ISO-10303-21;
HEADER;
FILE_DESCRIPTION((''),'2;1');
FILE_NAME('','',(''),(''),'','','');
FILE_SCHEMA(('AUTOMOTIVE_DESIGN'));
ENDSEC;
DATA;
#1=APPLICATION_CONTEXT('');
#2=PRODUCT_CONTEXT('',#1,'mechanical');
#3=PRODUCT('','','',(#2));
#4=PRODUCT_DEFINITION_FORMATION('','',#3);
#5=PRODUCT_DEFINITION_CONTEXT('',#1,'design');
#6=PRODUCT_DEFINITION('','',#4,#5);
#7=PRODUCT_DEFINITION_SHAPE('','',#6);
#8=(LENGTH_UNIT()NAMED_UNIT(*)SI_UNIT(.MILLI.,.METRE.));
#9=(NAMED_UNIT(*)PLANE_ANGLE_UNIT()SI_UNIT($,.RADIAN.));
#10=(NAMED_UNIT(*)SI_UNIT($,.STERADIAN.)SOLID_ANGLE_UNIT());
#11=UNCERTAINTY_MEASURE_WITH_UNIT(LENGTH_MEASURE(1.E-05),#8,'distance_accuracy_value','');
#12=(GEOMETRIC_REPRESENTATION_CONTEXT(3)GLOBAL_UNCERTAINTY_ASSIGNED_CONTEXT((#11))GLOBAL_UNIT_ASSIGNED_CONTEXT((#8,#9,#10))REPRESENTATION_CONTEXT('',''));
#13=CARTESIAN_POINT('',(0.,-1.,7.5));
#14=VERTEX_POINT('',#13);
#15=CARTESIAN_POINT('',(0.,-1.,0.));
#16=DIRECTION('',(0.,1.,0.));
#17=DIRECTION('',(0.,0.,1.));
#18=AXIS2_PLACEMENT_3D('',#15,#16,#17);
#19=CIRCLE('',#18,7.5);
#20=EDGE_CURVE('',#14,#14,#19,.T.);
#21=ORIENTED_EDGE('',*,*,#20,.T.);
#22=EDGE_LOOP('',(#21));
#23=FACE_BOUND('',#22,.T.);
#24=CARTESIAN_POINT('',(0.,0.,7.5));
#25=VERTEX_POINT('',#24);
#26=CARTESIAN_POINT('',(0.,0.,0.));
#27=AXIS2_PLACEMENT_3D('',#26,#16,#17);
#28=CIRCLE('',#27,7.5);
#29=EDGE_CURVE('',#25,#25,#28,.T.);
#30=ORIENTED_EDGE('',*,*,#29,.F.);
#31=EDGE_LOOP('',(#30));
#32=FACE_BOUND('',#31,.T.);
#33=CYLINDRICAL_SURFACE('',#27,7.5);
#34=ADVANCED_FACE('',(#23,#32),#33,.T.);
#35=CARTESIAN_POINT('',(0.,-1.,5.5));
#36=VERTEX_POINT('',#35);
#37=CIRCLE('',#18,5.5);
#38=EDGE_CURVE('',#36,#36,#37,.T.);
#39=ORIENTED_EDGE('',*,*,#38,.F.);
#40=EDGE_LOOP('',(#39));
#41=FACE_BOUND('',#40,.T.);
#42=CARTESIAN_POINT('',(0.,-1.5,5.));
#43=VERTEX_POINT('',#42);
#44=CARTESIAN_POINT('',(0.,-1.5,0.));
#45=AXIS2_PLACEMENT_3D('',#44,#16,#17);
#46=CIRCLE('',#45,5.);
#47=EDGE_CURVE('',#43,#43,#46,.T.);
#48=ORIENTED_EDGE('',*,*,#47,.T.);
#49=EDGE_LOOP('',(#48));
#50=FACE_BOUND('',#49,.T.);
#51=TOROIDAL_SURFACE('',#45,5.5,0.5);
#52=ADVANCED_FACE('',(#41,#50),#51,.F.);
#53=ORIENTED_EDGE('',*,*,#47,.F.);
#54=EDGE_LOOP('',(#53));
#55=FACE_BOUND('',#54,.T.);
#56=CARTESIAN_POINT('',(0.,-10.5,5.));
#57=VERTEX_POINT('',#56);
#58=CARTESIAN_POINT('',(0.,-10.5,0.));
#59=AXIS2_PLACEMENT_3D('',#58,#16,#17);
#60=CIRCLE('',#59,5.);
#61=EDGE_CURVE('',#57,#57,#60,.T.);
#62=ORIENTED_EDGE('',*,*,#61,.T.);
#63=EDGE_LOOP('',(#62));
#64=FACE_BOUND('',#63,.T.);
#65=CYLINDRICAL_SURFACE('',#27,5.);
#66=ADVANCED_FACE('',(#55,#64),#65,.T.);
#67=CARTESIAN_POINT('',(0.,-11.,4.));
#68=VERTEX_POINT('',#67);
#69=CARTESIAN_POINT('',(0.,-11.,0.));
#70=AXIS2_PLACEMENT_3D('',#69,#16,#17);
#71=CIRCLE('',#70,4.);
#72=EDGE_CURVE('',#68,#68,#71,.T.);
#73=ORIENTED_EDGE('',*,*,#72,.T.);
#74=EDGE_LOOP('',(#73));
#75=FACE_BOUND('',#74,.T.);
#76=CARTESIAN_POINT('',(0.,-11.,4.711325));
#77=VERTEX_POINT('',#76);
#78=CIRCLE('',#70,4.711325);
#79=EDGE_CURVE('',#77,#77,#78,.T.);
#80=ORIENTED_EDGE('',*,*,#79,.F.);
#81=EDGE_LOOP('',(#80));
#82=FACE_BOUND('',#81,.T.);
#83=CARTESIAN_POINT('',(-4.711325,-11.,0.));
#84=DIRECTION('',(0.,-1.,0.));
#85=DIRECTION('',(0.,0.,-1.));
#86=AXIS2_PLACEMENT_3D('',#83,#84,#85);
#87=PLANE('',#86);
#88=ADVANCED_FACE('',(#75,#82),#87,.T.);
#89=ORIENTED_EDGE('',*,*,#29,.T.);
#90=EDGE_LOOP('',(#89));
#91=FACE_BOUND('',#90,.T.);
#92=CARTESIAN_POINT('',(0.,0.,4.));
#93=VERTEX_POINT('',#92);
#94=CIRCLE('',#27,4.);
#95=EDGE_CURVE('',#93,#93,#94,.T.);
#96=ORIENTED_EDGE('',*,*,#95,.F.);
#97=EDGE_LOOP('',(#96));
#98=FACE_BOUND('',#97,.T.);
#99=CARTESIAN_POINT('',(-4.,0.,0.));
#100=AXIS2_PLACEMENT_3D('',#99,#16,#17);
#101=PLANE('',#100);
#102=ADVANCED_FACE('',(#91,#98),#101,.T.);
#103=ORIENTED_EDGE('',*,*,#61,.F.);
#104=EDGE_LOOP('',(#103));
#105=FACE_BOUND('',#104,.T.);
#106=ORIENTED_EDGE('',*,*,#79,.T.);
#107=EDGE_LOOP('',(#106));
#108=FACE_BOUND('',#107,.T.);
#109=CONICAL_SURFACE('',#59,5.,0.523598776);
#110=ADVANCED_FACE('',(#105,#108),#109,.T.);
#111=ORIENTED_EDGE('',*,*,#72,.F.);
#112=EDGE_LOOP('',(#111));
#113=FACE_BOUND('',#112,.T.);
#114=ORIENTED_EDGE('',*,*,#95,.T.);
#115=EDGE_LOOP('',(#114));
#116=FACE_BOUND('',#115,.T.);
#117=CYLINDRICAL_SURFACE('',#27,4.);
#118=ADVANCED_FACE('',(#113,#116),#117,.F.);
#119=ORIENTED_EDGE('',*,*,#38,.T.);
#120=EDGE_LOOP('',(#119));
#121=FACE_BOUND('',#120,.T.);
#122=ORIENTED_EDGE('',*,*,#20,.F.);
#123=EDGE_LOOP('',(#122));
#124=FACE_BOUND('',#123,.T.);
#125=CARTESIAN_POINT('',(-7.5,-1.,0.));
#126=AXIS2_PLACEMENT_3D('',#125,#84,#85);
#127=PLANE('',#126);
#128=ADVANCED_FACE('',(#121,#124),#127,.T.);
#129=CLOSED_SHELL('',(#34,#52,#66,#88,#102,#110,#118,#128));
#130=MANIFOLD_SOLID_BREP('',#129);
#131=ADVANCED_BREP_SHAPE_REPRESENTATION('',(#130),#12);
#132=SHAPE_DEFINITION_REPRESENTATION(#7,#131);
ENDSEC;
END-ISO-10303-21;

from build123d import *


with BuildPart() as part:
    # Sketch1 → Revolve1 (revolve)
    with BuildSketch(Plane.XY, mode=Mode.PRIVATE) as revolve1_sk:
        with BuildLine():
            Line((-7.5, 0), (-7.5, -1))
            Line((-7.5, -1), (-5.5, -1))
            ThreePointArc((-5.5, -1), (-5.146446609, -1.146446609), (-5, -1.5))
            Line((-5, -1.5), (-5, -10.5))
            Line((-5, -10.5), (-4.711324865, -11))
            Line((-4.711324865, -11), (-4, -11))
            Line((-4, -11), (-4, 0))
            Line((-4, 0), (-7.5, 0))
        make_face()
    revolve(revolve1_sk.sketch.rotate(Axis((0, 0, 0), (0, -1, 0)), 270), axis=Axis((0, 0, 0), (0, -1, 0)))


solid = part.part
